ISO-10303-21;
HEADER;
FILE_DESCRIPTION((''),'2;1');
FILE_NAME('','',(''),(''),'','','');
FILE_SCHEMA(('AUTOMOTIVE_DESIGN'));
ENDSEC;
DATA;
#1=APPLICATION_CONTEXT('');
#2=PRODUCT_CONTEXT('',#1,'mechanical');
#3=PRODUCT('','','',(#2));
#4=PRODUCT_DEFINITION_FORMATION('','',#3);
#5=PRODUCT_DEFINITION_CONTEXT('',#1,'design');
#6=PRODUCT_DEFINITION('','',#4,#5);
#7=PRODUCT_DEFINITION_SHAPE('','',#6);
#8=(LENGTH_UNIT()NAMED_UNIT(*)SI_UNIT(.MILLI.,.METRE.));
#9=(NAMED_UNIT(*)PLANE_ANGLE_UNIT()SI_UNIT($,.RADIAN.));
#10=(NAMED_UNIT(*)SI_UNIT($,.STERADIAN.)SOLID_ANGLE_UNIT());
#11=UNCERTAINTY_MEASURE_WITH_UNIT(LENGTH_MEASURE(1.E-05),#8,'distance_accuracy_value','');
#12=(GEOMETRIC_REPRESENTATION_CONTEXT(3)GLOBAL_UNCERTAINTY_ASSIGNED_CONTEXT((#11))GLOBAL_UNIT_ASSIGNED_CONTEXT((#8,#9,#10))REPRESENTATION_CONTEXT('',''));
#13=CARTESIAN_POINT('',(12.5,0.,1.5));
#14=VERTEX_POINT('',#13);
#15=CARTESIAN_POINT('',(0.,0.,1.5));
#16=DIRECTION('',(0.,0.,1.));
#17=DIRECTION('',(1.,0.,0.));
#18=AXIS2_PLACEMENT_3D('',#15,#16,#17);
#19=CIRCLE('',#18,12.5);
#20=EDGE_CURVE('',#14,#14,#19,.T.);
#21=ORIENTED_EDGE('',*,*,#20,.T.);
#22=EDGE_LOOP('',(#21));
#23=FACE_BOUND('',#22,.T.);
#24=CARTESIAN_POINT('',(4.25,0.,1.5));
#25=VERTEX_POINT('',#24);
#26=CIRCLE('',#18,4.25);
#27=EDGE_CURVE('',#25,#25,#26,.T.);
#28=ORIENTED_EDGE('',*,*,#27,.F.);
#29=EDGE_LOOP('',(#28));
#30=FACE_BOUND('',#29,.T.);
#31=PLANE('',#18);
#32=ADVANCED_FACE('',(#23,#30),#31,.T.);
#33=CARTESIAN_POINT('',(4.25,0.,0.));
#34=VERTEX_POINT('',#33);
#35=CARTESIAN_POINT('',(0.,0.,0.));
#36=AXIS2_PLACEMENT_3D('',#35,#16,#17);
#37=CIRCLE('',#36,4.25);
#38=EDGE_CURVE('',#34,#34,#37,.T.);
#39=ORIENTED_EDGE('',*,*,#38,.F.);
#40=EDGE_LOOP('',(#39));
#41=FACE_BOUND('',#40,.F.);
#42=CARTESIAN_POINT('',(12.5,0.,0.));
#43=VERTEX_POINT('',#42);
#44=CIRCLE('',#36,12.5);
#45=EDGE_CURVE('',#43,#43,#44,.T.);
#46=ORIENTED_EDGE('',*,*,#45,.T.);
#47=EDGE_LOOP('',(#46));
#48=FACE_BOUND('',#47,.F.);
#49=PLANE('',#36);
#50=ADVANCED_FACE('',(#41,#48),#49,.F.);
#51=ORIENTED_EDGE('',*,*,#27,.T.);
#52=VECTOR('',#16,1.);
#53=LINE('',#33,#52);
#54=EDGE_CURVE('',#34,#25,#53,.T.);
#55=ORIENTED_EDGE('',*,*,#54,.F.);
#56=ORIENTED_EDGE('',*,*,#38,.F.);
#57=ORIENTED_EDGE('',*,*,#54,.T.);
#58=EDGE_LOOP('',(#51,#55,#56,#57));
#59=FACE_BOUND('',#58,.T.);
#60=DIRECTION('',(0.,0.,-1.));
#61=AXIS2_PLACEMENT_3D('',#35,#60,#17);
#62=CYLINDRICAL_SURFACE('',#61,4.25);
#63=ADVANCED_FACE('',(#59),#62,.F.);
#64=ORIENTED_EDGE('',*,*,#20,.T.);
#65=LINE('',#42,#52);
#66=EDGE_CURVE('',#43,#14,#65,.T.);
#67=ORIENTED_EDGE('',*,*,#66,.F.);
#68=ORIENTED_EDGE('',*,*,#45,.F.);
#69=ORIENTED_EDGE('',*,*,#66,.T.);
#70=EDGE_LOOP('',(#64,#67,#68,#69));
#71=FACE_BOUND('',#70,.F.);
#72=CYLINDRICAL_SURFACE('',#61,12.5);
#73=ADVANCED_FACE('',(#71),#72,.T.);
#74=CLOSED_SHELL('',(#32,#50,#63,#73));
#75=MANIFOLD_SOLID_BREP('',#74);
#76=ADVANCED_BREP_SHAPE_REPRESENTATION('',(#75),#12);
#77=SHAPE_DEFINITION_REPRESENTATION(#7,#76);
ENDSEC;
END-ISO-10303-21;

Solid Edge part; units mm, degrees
sketch "Sketch1" plane through (0, 0, 0) normal (0, 0, 1) x (1, 0, 0)
  circle A0 centre (0, 0) radius 12.5
  circle A1 centre (0, 0) radius 4.25
  dimension "D1" = 25
  dimension "D2" = 8.5
extrude "Protrusion1" add sketch "Sketch1" along normal blind 1.5
